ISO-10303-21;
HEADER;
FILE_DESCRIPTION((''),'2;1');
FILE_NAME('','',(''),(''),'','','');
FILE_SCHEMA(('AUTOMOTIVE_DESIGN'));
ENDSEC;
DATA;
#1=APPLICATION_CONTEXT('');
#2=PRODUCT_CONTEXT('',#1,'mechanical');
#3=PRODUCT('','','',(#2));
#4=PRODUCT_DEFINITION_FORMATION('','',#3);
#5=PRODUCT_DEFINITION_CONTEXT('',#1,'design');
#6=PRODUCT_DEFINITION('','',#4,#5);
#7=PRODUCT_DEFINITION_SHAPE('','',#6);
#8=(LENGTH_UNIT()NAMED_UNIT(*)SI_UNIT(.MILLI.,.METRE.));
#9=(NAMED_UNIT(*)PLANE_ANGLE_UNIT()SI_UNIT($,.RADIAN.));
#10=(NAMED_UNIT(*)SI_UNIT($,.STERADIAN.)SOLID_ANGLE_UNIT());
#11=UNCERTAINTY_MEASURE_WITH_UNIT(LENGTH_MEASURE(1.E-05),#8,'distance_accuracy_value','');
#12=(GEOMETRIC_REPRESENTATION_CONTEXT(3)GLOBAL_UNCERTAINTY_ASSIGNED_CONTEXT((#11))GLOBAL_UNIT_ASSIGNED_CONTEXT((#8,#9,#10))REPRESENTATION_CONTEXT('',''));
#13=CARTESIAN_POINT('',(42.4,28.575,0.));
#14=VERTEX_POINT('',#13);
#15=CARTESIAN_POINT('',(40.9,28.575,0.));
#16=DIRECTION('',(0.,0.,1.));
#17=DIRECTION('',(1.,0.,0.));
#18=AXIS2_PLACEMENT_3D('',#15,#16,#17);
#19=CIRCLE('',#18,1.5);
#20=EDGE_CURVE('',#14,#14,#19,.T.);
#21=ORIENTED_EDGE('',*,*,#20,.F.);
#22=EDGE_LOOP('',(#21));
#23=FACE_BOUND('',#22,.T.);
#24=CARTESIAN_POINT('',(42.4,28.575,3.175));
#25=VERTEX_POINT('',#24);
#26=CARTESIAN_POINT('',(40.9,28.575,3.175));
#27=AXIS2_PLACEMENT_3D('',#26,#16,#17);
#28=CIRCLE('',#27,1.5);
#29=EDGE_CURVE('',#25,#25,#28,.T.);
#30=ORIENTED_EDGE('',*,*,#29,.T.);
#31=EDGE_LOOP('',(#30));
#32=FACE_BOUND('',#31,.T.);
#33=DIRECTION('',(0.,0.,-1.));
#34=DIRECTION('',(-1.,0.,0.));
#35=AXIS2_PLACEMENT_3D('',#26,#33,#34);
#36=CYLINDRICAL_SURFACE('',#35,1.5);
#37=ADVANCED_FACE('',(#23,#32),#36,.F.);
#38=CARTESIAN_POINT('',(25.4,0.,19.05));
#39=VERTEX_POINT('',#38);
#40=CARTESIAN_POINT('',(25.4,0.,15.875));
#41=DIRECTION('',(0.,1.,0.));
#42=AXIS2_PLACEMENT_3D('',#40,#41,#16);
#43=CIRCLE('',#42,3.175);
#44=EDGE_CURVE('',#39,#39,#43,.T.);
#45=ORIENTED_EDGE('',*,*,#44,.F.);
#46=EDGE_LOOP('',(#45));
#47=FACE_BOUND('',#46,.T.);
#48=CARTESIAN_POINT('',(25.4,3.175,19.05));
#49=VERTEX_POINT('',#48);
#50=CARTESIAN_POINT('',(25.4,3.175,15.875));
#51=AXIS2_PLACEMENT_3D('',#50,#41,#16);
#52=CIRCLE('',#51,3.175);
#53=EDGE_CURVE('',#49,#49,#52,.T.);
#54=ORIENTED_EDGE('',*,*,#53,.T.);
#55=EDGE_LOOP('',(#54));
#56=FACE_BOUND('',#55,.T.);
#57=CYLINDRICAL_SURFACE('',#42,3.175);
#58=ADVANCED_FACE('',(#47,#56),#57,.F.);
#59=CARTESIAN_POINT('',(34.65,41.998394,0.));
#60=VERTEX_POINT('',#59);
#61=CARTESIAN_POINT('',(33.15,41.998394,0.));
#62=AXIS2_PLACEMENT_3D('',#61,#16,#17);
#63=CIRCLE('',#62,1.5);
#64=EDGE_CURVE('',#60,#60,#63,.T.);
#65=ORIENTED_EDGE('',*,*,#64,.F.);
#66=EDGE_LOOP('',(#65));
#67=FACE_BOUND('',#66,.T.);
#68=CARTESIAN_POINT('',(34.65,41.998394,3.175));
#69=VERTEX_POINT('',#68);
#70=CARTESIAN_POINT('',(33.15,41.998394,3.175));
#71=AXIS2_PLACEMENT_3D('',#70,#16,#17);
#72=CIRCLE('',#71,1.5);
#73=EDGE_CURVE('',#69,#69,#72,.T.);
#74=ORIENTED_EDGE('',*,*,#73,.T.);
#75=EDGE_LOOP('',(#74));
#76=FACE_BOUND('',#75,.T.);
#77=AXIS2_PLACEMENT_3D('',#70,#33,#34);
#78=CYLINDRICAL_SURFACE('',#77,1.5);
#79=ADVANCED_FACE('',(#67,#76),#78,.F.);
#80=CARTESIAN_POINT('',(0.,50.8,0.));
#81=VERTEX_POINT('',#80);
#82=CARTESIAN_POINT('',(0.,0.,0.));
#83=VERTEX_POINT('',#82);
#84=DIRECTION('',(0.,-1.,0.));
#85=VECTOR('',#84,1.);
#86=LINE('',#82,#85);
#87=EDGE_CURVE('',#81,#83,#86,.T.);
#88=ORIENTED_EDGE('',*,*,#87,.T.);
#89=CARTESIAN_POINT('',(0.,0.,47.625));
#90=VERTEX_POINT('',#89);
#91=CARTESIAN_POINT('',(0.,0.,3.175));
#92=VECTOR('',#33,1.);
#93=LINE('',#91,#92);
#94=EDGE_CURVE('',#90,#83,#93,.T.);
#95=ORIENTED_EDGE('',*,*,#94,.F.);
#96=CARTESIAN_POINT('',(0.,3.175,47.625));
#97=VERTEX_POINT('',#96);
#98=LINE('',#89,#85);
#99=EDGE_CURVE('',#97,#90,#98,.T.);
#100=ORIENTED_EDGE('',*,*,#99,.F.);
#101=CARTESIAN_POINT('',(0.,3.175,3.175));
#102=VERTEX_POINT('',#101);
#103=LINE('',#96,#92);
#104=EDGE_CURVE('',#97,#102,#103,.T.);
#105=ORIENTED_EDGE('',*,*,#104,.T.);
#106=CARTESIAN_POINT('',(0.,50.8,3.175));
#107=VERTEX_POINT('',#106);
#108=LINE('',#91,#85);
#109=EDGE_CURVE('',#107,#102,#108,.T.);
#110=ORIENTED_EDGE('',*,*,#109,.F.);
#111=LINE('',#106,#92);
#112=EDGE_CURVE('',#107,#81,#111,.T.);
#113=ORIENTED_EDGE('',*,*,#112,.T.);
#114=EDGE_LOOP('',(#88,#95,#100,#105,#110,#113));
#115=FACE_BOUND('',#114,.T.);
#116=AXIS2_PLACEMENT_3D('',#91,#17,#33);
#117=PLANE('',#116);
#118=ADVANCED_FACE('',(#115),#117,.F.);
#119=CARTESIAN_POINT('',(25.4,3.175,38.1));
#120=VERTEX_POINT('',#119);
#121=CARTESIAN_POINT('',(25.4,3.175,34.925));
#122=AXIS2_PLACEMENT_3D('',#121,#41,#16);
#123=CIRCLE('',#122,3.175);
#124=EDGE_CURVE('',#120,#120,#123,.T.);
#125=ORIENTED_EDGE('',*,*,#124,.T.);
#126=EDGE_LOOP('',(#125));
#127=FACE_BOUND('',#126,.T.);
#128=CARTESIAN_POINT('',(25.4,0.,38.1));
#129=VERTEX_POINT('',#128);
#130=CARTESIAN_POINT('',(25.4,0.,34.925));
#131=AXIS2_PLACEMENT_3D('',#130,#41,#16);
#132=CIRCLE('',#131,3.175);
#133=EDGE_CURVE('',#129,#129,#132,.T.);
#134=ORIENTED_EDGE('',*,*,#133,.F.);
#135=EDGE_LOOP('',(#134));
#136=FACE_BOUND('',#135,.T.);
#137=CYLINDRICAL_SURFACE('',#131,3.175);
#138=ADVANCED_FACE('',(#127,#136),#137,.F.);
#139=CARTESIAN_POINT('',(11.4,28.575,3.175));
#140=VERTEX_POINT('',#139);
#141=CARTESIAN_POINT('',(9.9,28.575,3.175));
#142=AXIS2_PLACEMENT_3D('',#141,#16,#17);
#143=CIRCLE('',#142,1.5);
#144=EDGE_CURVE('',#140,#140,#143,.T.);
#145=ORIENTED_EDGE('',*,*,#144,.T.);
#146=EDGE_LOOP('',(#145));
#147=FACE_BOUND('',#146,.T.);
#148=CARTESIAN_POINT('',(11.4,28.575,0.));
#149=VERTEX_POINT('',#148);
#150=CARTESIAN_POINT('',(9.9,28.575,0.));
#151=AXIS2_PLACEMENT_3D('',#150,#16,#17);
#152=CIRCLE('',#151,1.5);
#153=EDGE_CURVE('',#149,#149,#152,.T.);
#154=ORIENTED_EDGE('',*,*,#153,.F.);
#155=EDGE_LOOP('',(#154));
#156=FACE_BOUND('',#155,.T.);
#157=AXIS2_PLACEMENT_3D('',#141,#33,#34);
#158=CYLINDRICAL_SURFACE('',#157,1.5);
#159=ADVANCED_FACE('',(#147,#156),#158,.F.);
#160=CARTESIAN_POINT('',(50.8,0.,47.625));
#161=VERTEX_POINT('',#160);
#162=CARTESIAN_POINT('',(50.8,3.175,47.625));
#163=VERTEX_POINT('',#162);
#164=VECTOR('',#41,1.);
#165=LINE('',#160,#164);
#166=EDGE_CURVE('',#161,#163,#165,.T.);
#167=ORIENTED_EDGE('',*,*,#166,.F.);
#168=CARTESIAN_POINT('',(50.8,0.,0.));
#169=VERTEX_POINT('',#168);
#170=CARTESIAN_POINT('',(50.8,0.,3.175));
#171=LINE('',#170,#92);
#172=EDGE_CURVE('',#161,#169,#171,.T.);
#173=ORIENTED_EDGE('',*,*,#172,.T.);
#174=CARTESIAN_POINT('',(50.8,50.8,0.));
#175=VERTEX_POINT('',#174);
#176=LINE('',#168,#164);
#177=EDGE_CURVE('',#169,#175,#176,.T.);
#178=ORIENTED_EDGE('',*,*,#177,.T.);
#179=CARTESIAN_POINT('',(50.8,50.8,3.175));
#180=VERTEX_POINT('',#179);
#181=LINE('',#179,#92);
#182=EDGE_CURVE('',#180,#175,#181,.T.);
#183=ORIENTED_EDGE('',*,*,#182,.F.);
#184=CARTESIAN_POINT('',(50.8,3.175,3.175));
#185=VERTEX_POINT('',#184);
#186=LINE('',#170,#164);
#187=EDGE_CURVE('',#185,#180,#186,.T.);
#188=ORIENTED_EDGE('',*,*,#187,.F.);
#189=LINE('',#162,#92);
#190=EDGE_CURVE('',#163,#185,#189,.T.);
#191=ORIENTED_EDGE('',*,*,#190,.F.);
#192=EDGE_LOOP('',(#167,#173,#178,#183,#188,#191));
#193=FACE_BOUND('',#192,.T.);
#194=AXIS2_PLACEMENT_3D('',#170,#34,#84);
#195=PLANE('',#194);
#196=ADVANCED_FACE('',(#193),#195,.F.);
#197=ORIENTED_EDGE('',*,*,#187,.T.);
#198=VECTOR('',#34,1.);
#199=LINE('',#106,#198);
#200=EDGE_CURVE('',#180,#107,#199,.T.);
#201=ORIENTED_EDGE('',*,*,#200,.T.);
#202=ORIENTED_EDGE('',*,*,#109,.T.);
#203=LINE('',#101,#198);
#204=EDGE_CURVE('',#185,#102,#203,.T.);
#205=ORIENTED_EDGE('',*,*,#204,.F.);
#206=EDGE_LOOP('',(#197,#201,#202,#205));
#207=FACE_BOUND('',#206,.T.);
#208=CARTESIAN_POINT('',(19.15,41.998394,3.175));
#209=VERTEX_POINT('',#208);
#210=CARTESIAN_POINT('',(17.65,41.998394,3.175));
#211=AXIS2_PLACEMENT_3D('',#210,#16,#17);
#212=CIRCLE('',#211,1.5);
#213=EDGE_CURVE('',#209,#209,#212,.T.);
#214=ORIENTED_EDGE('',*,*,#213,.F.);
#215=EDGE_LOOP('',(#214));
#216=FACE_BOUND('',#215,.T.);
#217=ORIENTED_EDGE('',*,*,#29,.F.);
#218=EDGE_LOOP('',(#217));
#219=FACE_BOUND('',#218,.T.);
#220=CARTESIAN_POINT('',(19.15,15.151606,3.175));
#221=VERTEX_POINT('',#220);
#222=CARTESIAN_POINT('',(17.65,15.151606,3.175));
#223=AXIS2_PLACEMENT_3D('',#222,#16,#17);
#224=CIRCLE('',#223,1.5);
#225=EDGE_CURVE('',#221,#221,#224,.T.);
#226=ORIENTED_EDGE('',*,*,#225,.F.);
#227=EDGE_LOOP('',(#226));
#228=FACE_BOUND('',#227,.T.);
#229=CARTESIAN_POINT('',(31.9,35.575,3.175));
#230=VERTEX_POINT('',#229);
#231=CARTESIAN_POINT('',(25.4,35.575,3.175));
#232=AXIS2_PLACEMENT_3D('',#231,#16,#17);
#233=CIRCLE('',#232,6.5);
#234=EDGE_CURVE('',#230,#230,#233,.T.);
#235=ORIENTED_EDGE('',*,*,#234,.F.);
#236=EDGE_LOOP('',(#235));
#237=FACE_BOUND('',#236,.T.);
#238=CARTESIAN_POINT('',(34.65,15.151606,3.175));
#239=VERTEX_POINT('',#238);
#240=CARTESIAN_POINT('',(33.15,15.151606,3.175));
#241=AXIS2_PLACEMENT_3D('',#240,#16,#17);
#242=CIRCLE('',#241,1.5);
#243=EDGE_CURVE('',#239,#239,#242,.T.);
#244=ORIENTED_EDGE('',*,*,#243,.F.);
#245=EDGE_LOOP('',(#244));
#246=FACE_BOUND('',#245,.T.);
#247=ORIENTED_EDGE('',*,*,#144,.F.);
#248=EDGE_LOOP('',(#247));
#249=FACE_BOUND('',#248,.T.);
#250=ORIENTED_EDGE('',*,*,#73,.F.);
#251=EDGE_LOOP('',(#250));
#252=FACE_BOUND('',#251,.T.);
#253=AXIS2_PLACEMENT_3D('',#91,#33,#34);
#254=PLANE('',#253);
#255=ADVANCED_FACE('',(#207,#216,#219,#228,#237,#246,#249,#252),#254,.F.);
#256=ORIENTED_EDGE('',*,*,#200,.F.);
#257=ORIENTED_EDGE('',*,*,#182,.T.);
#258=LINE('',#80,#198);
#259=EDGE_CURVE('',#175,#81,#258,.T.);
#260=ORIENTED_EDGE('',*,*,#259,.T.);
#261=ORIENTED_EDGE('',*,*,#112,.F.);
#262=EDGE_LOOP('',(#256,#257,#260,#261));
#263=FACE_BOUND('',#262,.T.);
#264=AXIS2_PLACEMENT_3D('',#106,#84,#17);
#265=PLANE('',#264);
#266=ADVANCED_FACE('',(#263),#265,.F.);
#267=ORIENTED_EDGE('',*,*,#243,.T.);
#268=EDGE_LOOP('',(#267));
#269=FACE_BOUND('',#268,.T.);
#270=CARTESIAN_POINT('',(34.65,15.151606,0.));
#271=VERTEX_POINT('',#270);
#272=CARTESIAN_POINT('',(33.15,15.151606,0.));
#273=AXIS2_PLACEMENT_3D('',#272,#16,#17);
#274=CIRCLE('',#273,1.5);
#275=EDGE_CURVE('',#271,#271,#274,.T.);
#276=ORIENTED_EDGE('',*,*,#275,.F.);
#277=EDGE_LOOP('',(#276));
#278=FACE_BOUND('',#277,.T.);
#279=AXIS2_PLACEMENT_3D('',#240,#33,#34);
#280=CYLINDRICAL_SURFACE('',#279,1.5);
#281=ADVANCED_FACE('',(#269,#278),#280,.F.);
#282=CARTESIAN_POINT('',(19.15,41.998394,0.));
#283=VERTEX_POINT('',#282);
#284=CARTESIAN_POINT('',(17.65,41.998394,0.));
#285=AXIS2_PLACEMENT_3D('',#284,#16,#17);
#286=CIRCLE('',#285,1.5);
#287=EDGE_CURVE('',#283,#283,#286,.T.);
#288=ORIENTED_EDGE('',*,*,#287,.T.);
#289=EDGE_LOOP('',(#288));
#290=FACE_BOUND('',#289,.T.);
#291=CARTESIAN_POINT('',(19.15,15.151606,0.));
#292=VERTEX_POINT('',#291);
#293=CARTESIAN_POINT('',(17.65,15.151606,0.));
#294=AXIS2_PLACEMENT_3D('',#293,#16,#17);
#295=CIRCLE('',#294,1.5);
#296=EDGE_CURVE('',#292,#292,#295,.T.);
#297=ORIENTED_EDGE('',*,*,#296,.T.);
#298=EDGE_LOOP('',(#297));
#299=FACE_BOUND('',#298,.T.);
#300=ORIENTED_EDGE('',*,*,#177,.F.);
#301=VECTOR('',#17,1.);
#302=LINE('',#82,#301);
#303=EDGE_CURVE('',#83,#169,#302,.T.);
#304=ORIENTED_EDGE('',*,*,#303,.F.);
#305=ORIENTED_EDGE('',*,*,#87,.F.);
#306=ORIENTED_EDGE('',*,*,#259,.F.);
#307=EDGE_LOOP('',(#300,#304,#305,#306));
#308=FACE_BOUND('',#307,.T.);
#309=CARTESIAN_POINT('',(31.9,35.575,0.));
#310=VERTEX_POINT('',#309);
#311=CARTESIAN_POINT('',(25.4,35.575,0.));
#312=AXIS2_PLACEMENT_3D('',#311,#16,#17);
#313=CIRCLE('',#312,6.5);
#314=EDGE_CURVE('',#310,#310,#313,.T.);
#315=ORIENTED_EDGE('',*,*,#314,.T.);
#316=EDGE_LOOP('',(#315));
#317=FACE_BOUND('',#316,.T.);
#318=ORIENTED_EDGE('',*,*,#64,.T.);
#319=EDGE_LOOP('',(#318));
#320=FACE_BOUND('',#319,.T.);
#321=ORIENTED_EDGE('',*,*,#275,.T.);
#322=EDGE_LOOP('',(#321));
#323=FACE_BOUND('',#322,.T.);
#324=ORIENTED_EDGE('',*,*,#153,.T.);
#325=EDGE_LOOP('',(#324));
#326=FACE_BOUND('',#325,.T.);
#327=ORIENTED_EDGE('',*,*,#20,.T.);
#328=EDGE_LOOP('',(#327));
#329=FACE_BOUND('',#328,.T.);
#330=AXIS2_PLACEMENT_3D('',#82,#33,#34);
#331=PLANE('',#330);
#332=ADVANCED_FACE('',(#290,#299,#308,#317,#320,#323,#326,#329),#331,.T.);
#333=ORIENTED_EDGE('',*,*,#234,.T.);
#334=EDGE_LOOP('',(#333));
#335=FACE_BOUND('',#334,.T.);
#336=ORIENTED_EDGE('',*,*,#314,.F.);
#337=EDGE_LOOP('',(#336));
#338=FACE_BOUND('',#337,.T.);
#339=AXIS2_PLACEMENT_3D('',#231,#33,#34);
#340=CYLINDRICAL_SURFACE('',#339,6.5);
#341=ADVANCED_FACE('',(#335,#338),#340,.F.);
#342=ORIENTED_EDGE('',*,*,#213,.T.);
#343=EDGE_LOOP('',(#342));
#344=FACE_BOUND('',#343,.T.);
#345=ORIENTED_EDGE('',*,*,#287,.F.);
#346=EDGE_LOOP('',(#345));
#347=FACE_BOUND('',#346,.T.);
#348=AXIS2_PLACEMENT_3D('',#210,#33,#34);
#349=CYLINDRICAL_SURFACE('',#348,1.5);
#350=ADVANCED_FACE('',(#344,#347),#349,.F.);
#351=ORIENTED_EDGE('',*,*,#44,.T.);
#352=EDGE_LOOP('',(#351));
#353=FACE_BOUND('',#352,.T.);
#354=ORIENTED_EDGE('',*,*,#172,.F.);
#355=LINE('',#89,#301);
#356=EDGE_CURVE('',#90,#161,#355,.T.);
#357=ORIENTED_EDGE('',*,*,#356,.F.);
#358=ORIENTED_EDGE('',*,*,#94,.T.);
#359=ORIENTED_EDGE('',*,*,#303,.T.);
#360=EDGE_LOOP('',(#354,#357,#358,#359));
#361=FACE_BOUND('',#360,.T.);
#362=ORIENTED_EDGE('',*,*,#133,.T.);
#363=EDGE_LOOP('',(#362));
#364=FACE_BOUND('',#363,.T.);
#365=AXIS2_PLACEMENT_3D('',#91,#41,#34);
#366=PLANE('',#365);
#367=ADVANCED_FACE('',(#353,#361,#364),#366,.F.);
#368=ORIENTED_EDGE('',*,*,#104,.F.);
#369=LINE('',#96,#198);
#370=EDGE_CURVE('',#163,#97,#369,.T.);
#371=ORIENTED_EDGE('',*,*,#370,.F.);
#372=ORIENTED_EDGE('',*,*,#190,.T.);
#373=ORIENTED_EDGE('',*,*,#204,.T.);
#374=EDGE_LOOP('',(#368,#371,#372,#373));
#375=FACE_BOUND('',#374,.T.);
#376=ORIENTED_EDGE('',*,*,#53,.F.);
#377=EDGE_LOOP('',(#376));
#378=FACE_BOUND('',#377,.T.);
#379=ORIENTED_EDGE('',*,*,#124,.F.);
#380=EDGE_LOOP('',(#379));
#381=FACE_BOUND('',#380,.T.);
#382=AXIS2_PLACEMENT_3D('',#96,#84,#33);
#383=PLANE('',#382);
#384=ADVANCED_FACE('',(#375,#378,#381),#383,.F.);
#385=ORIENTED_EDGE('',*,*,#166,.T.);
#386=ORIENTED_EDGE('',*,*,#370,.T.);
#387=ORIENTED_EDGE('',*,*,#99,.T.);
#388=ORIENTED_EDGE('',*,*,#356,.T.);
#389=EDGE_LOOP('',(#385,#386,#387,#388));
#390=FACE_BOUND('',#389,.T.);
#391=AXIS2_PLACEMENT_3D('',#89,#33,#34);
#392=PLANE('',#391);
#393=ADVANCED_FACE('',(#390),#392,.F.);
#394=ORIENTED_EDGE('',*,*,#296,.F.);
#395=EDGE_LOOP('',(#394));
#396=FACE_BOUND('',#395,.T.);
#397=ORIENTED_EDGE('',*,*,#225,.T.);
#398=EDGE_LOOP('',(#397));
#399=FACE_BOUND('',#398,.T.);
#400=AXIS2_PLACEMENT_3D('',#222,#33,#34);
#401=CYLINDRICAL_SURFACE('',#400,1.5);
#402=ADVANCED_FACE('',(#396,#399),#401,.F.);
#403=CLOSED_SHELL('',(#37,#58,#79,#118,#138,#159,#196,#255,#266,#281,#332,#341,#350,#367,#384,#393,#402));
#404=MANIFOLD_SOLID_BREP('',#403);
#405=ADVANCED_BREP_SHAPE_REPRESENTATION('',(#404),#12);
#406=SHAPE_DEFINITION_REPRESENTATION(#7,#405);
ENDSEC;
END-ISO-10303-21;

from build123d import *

# Parameters (mm, degrees)
SKETCH1_W           = 50.8
SKETCH1_H           = 50.8
SKETCH1_R           = 6.5
SKETCH1_R_2         = 1.5
BOSS_EXTRUDE1_DEPTH = 3.175
SKETCH2_W           = 50.8
SKETCH2_H           = 3.175
BOSS_EXTRUDE2_DEPTH = 44.45
SKETCH3_R           = 3.175
CUT_EXTRUDE1_DEPTH  = 4.175


with BuildPart() as part:
    # Sketch1 → Boss-Extrude1 (new body)
    with BuildSketch(Plane.XY):
        with Locations((25.4, 25.4)):
            Rectangle(SKETCH1_W, SKETCH1_H)
        with Locations((25.4, 35.575)):
            Circle(SKETCH1_R, mode=Mode.SUBTRACT)
        with Locations((9.9, 28.575)):
            Circle(SKETCH1_R_2, mode=Mode.SUBTRACT)
        with Locations((40.9, 28.575)):
            Circle(SKETCH1_R_2, mode=Mode.SUBTRACT)
        with Locations((33.15, 15.151606241)):
            Circle(SKETCH1_R_2, mode=Mode.SUBTRACT)
        with Locations((17.65, 15.151606241)):
            Circle(SKETCH1_R_2, mode=Mode.SUBTRACT)
        with Locations((17.65, 41.998393759)):
            Circle(SKETCH1_R_2, mode=Mode.SUBTRACT)
        with Locations((33.15, 41.998393759)):
            Circle(SKETCH1_R_2, mode=Mode.SUBTRACT)
    extrude(amount=BOSS_EXTRUDE1_DEPTH)

    # Sketch2 → Boss-Extrude2 (add)
    with BuildSketch(Plane.XY.offset(3.175)):
        with Locations((25.4, 1.5875)):
            Rectangle(SKETCH2_W, SKETCH2_H)
    extrude(amount=BOSS_EXTRUDE2_DEPTH)

    # Sketch3 → Cut-Extrude1 (cut, through all)
    with BuildSketch(Plane(origin=(0, 3.175, 0), x_dir=(1, 0, 0), z_dir=(0, 1, 0))):
        with Locations((25.4, -15.875)):
            Circle(SKETCH3_R)
        with Locations((25.4, -34.925)):
            Circle(SKETCH3_R)
    extrude(amount=-CUT_EXTRUDE1_DEPTH, mode=Mode.SUBTRACT)


solid = part.part
